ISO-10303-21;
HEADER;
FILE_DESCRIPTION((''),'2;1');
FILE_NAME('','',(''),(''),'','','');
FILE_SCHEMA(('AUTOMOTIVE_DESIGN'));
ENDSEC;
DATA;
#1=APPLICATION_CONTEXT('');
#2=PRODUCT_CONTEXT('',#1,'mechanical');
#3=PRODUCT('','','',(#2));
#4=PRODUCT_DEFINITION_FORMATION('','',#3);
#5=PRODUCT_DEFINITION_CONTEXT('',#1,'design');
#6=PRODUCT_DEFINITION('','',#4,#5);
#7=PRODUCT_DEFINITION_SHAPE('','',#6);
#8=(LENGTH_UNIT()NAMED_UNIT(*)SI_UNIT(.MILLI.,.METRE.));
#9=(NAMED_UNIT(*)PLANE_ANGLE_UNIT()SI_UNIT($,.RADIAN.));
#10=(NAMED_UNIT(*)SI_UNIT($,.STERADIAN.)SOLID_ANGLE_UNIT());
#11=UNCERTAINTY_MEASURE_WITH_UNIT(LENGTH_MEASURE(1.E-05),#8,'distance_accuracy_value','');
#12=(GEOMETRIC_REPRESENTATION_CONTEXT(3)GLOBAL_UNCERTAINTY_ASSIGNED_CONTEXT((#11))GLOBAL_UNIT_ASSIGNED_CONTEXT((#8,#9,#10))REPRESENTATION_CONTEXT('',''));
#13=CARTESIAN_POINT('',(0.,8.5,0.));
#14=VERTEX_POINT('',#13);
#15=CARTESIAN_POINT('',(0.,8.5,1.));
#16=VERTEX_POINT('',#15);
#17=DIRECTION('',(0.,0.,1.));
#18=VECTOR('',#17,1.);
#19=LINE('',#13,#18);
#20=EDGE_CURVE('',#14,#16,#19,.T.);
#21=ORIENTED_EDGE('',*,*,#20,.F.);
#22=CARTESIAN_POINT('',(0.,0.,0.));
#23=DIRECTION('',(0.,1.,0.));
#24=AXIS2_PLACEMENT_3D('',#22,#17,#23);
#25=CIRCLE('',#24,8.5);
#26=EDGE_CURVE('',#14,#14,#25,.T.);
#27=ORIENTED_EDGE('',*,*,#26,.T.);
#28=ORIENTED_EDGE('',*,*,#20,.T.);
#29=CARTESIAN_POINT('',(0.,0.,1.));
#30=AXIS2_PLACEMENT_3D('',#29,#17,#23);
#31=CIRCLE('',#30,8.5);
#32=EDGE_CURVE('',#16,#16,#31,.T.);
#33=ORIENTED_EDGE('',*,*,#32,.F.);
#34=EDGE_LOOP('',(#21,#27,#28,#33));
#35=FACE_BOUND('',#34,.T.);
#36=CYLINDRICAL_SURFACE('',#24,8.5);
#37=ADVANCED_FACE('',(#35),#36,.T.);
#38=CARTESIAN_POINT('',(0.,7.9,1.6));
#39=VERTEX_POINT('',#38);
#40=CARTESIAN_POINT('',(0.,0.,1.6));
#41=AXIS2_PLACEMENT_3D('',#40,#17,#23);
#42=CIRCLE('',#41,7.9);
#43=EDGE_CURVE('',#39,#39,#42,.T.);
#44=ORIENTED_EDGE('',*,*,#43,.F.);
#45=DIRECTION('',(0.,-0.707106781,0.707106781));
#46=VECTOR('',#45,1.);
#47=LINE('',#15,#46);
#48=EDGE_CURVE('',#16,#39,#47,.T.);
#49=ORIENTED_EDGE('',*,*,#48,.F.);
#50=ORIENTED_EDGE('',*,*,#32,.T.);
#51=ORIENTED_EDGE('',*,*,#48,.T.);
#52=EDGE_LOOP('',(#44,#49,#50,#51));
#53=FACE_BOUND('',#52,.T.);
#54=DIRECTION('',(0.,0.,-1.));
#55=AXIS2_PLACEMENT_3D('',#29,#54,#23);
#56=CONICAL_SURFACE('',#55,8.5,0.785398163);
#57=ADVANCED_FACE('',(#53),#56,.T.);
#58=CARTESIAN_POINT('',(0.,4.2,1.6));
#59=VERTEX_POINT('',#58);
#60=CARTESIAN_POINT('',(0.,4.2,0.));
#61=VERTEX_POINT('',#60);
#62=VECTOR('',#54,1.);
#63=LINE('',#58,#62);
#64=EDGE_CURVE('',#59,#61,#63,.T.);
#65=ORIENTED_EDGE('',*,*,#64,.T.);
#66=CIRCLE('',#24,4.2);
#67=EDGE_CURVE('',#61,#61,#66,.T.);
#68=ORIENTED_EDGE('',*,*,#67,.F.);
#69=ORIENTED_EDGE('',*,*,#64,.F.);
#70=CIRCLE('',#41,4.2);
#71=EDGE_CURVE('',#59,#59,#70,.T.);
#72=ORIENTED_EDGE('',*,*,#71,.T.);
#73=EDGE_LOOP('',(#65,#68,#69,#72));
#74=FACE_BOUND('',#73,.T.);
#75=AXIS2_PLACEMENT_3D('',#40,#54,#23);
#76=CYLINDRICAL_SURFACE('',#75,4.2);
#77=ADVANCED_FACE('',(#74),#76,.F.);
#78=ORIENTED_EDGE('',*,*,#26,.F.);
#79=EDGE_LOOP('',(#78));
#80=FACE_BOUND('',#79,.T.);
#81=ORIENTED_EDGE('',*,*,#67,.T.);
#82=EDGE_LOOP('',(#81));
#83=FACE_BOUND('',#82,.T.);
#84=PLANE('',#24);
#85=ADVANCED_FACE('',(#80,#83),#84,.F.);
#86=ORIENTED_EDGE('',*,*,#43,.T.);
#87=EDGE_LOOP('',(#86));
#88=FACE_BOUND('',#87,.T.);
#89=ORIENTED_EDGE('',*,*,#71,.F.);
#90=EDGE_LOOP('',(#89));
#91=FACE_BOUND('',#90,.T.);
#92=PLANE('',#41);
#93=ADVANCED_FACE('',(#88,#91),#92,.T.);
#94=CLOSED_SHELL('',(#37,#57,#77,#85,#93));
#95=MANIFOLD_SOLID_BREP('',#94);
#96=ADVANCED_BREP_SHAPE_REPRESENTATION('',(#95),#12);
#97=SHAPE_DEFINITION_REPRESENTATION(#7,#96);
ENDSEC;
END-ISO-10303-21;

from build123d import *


with BuildPart() as part:
    # Sketch → Revolution (revolve)
    with BuildSketch(Plane.YZ):
        Polygon((4.2, 0), (8.5, 0), (8.5, 1), (7.9, 1.6), (4.2, 1.6), align=None)
    revolve(axis=Axis((0, 0, 0), (0, 0, 1)))


solid = part.part
